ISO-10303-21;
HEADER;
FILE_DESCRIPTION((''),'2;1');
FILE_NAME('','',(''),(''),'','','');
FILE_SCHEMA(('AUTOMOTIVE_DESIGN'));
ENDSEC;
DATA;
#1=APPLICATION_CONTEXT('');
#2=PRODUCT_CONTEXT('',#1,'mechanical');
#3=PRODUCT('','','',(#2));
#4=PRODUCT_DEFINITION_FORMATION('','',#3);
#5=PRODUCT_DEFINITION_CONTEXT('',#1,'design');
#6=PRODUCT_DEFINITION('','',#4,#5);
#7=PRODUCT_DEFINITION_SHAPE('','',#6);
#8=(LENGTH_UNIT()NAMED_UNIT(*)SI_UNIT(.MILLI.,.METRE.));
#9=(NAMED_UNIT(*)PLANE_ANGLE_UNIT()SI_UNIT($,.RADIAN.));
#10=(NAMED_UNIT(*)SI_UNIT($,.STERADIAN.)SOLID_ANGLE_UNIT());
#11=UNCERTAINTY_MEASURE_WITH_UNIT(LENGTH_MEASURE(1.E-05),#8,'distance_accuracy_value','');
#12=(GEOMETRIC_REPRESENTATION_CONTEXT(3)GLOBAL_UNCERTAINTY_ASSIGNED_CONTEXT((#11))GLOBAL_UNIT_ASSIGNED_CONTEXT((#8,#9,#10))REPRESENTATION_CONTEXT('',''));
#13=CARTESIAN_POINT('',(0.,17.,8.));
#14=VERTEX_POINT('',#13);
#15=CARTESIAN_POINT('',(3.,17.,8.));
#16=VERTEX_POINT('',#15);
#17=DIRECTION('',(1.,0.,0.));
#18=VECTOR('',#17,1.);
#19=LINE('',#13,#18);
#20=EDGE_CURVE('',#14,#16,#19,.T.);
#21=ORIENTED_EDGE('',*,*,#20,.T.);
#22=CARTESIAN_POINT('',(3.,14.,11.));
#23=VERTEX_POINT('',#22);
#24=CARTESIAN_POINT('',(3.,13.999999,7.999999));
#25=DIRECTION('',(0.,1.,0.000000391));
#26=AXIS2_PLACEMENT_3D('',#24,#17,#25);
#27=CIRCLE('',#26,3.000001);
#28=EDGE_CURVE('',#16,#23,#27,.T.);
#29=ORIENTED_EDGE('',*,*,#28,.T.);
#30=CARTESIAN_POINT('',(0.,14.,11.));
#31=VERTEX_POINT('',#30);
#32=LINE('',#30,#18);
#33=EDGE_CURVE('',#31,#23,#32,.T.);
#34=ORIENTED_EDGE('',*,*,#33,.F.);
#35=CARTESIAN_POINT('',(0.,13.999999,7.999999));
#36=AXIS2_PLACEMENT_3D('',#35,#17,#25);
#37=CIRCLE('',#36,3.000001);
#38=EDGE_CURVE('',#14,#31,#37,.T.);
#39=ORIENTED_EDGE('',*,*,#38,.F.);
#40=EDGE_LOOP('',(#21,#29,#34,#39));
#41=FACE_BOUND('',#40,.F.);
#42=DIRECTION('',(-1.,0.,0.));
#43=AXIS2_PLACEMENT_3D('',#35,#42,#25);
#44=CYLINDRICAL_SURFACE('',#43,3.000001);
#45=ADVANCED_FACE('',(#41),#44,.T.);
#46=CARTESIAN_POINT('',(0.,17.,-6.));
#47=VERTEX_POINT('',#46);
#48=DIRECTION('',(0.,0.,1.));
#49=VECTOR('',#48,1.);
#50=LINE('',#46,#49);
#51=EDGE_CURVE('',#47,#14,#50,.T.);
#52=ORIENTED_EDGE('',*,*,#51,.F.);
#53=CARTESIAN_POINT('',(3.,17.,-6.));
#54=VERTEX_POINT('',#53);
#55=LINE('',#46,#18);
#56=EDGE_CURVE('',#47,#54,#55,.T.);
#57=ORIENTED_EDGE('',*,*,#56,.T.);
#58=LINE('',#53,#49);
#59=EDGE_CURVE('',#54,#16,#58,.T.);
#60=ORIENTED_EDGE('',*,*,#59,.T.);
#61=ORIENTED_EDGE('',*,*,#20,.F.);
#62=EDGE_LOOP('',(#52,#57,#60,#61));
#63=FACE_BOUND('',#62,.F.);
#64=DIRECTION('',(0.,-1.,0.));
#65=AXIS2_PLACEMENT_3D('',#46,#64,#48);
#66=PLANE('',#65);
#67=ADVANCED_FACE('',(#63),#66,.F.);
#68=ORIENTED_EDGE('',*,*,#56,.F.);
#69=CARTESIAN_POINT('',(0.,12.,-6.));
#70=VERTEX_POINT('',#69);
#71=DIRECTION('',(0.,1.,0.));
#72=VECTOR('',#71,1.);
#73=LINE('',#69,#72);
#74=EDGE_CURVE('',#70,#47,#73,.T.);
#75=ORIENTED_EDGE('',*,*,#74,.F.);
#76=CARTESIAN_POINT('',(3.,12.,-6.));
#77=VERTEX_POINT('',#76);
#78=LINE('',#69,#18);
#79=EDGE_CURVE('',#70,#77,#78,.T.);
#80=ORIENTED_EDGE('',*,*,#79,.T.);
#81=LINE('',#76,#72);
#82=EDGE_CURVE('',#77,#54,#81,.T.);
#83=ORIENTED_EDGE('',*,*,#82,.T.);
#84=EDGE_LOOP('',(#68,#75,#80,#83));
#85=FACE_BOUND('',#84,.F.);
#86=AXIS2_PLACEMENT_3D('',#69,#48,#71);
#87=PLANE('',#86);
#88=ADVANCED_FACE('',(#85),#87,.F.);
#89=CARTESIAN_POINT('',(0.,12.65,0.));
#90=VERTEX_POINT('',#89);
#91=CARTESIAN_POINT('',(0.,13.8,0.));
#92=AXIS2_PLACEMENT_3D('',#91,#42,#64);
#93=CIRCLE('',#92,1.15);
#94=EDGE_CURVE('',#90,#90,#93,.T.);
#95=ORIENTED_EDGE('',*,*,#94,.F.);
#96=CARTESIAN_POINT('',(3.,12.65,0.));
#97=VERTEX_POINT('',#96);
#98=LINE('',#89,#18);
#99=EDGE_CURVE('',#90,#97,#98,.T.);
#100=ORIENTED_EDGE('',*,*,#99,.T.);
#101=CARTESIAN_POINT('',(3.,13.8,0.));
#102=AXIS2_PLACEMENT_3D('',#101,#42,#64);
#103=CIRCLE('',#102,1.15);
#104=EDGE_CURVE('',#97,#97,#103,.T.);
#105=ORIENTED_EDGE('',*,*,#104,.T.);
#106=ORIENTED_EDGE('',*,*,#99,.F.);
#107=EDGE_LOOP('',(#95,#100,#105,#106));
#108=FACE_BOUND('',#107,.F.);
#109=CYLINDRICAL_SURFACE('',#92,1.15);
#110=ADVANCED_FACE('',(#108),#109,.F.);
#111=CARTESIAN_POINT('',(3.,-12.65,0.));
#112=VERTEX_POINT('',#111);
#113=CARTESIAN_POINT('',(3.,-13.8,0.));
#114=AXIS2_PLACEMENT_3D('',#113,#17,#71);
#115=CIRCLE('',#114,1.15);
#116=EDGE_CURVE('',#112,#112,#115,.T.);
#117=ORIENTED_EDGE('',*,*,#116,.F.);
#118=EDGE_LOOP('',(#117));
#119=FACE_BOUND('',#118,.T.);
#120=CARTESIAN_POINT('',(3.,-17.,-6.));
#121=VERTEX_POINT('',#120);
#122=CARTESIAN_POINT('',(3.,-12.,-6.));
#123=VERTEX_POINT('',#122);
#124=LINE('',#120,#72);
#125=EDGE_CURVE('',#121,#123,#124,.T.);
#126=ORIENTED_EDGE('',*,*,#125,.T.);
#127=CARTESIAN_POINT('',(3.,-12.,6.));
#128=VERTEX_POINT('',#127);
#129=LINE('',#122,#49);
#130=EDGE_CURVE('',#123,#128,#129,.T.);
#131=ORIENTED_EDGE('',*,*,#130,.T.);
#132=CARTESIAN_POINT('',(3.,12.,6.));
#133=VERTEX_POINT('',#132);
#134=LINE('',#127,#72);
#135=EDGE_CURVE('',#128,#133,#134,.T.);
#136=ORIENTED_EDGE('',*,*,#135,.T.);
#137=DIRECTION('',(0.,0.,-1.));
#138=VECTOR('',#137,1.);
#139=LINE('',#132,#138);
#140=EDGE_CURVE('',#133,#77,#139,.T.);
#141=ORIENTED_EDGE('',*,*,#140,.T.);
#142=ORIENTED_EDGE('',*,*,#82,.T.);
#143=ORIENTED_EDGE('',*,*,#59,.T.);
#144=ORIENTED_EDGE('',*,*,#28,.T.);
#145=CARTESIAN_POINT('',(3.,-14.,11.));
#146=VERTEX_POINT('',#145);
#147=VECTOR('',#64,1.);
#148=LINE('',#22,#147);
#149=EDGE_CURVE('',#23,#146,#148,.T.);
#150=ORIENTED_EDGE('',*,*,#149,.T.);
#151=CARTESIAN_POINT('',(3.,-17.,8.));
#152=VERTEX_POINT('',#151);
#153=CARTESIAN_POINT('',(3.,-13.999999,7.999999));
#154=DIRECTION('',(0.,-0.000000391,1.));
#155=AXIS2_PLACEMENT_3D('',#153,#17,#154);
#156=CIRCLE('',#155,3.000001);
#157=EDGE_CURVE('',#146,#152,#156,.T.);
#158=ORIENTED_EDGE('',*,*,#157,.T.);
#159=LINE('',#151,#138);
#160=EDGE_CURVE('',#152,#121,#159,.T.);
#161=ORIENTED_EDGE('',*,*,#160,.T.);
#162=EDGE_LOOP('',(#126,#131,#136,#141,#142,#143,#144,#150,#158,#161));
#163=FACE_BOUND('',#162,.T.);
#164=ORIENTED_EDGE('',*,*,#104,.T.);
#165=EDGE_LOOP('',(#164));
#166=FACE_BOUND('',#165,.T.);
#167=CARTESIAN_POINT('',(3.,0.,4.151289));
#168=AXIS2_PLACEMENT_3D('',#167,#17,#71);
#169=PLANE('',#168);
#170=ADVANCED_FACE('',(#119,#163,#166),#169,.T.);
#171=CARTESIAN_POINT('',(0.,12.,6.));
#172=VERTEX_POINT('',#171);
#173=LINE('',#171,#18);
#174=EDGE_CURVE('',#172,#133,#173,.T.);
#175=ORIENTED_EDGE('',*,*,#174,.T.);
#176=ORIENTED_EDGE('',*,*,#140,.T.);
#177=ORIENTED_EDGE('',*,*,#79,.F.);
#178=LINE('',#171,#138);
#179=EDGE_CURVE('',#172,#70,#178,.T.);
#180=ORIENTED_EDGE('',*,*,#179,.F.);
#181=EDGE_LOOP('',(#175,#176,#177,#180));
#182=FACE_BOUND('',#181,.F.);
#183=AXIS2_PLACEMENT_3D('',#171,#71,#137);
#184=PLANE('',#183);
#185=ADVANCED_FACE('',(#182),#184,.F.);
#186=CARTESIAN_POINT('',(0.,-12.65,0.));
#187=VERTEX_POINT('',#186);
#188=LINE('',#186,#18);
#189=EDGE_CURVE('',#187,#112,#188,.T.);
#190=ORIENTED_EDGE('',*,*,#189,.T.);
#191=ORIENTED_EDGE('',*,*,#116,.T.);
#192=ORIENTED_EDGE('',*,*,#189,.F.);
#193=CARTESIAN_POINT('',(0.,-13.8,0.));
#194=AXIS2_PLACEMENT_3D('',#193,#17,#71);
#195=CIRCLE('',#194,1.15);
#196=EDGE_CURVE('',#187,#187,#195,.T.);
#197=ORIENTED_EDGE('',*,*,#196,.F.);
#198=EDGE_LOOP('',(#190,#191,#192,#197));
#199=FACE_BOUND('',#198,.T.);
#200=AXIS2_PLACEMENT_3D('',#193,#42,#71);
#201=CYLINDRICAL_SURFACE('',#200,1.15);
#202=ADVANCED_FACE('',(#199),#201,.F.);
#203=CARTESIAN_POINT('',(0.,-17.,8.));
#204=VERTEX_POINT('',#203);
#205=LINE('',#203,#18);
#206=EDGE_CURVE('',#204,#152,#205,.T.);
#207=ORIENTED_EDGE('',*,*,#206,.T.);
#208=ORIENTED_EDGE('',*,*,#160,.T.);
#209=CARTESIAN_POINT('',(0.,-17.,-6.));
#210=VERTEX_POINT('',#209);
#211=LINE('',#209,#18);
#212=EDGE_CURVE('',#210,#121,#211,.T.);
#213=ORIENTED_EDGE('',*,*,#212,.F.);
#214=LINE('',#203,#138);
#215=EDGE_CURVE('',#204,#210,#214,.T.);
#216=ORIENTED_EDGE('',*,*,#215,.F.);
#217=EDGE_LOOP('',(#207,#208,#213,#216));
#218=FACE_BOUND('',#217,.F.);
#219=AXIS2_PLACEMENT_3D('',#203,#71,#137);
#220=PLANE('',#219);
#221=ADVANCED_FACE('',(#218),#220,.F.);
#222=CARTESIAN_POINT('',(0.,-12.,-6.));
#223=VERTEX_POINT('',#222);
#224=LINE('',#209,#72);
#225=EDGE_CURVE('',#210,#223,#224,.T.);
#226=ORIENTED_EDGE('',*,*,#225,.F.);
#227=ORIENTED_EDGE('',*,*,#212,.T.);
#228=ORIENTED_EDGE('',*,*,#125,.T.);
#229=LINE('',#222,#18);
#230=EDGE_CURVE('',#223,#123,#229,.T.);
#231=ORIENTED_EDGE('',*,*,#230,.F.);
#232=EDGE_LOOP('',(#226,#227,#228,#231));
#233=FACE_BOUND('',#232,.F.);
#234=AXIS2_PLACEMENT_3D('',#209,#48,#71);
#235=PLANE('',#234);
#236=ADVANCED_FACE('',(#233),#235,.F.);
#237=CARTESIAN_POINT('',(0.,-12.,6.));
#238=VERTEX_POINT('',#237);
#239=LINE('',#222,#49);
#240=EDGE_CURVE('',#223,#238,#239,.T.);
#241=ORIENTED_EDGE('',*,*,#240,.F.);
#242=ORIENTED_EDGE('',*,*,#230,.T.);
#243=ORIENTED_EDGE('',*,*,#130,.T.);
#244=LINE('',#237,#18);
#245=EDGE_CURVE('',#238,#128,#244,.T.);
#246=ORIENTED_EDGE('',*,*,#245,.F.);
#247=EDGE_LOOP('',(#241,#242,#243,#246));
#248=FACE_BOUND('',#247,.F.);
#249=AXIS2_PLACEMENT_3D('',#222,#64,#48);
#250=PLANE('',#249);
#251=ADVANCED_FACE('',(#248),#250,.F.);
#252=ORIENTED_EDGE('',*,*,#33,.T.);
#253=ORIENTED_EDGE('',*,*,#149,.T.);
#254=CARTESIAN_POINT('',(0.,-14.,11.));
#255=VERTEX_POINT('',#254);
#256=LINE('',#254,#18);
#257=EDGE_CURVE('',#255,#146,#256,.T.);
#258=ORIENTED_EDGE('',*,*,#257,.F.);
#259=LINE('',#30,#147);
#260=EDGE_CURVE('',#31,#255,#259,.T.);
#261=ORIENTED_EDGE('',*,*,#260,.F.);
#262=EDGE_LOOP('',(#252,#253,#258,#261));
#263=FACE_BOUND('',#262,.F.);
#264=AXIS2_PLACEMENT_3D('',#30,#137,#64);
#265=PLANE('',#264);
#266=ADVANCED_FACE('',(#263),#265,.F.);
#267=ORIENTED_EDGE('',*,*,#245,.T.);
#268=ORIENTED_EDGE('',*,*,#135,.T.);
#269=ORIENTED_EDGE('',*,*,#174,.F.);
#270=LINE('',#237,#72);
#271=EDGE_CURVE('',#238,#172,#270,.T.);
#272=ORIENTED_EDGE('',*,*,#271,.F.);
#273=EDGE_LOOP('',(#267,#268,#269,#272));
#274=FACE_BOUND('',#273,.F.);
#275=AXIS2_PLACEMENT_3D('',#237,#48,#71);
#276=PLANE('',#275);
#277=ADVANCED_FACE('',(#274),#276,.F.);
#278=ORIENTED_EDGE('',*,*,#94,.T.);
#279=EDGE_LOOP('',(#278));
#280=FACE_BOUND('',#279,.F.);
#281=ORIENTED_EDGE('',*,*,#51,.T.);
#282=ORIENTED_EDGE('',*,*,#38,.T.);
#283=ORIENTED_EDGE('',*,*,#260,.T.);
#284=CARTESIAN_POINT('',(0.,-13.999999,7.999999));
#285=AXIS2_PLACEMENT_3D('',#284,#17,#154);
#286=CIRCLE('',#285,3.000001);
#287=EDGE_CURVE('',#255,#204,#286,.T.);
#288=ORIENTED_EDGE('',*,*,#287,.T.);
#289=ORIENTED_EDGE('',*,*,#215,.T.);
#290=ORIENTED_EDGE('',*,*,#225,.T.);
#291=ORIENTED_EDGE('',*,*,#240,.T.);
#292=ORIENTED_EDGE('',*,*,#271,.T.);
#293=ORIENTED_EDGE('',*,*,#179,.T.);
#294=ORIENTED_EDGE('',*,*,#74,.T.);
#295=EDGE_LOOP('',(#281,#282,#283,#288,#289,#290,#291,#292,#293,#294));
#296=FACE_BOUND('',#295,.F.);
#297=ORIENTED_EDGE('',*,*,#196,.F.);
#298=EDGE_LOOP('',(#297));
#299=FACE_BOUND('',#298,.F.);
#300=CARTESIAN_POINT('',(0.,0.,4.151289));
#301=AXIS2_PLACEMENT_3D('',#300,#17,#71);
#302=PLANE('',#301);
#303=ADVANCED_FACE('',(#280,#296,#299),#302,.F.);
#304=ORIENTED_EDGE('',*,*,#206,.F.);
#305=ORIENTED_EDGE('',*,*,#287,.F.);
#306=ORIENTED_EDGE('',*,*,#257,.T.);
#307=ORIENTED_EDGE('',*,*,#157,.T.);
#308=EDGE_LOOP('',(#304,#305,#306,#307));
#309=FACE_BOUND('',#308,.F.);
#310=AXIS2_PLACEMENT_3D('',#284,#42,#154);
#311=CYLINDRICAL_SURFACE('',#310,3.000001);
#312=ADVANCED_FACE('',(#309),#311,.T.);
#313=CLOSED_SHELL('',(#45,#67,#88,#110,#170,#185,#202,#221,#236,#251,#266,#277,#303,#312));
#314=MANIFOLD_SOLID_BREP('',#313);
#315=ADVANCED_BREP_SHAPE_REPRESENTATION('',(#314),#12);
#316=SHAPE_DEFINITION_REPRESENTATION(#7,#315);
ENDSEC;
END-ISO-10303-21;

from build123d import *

# Parameters (mm, degrees)
F0_R     = 1.15
F1_DEPTH = 3


with BuildPart() as f1:
    # F0 (on Right) → F1 (new body)
    with BuildSketch(Plane.YZ):
        with BuildLine():
            Line((-12, 0), (-12, 6))
            Line((-12, 6), (12, 6))
            Line((12, 6), (12, 0))
            Line((12, 0), (12, -6))
            Line((12, -6), (17, -6))
            Line((17, -6), (17, 8))
            ThreePointArc((17, 8), (16.12132, 10.12132), (14, 11))
            Line((14, 11), (0, 11))
            Line((0, 11), (-14, 11))
            ThreePointArc((-14, 11), (-16.12132, 10.12132), (-17, 8))
            Line((-17, 8), (-17, -6))
            Line((-17, -6), (-12, -6))
            Line((-12, -6), (-12, 0))
        make_face()
        with Locations((-13.8, 0)):
            Circle(F0_R, mode=Mode.SUBTRACT)
        with BuildLine():
            ThreePointArc((14.95, 0), (13.8, -1.15), (12.65, 0))
            ThreePointArc((12.65, 0), (13.8, 1.15), (14.95, 0))
        make_face(mode=Mode.SUBTRACT)
    extrude(amount=F1_DEPTH)


solid = f1.part
